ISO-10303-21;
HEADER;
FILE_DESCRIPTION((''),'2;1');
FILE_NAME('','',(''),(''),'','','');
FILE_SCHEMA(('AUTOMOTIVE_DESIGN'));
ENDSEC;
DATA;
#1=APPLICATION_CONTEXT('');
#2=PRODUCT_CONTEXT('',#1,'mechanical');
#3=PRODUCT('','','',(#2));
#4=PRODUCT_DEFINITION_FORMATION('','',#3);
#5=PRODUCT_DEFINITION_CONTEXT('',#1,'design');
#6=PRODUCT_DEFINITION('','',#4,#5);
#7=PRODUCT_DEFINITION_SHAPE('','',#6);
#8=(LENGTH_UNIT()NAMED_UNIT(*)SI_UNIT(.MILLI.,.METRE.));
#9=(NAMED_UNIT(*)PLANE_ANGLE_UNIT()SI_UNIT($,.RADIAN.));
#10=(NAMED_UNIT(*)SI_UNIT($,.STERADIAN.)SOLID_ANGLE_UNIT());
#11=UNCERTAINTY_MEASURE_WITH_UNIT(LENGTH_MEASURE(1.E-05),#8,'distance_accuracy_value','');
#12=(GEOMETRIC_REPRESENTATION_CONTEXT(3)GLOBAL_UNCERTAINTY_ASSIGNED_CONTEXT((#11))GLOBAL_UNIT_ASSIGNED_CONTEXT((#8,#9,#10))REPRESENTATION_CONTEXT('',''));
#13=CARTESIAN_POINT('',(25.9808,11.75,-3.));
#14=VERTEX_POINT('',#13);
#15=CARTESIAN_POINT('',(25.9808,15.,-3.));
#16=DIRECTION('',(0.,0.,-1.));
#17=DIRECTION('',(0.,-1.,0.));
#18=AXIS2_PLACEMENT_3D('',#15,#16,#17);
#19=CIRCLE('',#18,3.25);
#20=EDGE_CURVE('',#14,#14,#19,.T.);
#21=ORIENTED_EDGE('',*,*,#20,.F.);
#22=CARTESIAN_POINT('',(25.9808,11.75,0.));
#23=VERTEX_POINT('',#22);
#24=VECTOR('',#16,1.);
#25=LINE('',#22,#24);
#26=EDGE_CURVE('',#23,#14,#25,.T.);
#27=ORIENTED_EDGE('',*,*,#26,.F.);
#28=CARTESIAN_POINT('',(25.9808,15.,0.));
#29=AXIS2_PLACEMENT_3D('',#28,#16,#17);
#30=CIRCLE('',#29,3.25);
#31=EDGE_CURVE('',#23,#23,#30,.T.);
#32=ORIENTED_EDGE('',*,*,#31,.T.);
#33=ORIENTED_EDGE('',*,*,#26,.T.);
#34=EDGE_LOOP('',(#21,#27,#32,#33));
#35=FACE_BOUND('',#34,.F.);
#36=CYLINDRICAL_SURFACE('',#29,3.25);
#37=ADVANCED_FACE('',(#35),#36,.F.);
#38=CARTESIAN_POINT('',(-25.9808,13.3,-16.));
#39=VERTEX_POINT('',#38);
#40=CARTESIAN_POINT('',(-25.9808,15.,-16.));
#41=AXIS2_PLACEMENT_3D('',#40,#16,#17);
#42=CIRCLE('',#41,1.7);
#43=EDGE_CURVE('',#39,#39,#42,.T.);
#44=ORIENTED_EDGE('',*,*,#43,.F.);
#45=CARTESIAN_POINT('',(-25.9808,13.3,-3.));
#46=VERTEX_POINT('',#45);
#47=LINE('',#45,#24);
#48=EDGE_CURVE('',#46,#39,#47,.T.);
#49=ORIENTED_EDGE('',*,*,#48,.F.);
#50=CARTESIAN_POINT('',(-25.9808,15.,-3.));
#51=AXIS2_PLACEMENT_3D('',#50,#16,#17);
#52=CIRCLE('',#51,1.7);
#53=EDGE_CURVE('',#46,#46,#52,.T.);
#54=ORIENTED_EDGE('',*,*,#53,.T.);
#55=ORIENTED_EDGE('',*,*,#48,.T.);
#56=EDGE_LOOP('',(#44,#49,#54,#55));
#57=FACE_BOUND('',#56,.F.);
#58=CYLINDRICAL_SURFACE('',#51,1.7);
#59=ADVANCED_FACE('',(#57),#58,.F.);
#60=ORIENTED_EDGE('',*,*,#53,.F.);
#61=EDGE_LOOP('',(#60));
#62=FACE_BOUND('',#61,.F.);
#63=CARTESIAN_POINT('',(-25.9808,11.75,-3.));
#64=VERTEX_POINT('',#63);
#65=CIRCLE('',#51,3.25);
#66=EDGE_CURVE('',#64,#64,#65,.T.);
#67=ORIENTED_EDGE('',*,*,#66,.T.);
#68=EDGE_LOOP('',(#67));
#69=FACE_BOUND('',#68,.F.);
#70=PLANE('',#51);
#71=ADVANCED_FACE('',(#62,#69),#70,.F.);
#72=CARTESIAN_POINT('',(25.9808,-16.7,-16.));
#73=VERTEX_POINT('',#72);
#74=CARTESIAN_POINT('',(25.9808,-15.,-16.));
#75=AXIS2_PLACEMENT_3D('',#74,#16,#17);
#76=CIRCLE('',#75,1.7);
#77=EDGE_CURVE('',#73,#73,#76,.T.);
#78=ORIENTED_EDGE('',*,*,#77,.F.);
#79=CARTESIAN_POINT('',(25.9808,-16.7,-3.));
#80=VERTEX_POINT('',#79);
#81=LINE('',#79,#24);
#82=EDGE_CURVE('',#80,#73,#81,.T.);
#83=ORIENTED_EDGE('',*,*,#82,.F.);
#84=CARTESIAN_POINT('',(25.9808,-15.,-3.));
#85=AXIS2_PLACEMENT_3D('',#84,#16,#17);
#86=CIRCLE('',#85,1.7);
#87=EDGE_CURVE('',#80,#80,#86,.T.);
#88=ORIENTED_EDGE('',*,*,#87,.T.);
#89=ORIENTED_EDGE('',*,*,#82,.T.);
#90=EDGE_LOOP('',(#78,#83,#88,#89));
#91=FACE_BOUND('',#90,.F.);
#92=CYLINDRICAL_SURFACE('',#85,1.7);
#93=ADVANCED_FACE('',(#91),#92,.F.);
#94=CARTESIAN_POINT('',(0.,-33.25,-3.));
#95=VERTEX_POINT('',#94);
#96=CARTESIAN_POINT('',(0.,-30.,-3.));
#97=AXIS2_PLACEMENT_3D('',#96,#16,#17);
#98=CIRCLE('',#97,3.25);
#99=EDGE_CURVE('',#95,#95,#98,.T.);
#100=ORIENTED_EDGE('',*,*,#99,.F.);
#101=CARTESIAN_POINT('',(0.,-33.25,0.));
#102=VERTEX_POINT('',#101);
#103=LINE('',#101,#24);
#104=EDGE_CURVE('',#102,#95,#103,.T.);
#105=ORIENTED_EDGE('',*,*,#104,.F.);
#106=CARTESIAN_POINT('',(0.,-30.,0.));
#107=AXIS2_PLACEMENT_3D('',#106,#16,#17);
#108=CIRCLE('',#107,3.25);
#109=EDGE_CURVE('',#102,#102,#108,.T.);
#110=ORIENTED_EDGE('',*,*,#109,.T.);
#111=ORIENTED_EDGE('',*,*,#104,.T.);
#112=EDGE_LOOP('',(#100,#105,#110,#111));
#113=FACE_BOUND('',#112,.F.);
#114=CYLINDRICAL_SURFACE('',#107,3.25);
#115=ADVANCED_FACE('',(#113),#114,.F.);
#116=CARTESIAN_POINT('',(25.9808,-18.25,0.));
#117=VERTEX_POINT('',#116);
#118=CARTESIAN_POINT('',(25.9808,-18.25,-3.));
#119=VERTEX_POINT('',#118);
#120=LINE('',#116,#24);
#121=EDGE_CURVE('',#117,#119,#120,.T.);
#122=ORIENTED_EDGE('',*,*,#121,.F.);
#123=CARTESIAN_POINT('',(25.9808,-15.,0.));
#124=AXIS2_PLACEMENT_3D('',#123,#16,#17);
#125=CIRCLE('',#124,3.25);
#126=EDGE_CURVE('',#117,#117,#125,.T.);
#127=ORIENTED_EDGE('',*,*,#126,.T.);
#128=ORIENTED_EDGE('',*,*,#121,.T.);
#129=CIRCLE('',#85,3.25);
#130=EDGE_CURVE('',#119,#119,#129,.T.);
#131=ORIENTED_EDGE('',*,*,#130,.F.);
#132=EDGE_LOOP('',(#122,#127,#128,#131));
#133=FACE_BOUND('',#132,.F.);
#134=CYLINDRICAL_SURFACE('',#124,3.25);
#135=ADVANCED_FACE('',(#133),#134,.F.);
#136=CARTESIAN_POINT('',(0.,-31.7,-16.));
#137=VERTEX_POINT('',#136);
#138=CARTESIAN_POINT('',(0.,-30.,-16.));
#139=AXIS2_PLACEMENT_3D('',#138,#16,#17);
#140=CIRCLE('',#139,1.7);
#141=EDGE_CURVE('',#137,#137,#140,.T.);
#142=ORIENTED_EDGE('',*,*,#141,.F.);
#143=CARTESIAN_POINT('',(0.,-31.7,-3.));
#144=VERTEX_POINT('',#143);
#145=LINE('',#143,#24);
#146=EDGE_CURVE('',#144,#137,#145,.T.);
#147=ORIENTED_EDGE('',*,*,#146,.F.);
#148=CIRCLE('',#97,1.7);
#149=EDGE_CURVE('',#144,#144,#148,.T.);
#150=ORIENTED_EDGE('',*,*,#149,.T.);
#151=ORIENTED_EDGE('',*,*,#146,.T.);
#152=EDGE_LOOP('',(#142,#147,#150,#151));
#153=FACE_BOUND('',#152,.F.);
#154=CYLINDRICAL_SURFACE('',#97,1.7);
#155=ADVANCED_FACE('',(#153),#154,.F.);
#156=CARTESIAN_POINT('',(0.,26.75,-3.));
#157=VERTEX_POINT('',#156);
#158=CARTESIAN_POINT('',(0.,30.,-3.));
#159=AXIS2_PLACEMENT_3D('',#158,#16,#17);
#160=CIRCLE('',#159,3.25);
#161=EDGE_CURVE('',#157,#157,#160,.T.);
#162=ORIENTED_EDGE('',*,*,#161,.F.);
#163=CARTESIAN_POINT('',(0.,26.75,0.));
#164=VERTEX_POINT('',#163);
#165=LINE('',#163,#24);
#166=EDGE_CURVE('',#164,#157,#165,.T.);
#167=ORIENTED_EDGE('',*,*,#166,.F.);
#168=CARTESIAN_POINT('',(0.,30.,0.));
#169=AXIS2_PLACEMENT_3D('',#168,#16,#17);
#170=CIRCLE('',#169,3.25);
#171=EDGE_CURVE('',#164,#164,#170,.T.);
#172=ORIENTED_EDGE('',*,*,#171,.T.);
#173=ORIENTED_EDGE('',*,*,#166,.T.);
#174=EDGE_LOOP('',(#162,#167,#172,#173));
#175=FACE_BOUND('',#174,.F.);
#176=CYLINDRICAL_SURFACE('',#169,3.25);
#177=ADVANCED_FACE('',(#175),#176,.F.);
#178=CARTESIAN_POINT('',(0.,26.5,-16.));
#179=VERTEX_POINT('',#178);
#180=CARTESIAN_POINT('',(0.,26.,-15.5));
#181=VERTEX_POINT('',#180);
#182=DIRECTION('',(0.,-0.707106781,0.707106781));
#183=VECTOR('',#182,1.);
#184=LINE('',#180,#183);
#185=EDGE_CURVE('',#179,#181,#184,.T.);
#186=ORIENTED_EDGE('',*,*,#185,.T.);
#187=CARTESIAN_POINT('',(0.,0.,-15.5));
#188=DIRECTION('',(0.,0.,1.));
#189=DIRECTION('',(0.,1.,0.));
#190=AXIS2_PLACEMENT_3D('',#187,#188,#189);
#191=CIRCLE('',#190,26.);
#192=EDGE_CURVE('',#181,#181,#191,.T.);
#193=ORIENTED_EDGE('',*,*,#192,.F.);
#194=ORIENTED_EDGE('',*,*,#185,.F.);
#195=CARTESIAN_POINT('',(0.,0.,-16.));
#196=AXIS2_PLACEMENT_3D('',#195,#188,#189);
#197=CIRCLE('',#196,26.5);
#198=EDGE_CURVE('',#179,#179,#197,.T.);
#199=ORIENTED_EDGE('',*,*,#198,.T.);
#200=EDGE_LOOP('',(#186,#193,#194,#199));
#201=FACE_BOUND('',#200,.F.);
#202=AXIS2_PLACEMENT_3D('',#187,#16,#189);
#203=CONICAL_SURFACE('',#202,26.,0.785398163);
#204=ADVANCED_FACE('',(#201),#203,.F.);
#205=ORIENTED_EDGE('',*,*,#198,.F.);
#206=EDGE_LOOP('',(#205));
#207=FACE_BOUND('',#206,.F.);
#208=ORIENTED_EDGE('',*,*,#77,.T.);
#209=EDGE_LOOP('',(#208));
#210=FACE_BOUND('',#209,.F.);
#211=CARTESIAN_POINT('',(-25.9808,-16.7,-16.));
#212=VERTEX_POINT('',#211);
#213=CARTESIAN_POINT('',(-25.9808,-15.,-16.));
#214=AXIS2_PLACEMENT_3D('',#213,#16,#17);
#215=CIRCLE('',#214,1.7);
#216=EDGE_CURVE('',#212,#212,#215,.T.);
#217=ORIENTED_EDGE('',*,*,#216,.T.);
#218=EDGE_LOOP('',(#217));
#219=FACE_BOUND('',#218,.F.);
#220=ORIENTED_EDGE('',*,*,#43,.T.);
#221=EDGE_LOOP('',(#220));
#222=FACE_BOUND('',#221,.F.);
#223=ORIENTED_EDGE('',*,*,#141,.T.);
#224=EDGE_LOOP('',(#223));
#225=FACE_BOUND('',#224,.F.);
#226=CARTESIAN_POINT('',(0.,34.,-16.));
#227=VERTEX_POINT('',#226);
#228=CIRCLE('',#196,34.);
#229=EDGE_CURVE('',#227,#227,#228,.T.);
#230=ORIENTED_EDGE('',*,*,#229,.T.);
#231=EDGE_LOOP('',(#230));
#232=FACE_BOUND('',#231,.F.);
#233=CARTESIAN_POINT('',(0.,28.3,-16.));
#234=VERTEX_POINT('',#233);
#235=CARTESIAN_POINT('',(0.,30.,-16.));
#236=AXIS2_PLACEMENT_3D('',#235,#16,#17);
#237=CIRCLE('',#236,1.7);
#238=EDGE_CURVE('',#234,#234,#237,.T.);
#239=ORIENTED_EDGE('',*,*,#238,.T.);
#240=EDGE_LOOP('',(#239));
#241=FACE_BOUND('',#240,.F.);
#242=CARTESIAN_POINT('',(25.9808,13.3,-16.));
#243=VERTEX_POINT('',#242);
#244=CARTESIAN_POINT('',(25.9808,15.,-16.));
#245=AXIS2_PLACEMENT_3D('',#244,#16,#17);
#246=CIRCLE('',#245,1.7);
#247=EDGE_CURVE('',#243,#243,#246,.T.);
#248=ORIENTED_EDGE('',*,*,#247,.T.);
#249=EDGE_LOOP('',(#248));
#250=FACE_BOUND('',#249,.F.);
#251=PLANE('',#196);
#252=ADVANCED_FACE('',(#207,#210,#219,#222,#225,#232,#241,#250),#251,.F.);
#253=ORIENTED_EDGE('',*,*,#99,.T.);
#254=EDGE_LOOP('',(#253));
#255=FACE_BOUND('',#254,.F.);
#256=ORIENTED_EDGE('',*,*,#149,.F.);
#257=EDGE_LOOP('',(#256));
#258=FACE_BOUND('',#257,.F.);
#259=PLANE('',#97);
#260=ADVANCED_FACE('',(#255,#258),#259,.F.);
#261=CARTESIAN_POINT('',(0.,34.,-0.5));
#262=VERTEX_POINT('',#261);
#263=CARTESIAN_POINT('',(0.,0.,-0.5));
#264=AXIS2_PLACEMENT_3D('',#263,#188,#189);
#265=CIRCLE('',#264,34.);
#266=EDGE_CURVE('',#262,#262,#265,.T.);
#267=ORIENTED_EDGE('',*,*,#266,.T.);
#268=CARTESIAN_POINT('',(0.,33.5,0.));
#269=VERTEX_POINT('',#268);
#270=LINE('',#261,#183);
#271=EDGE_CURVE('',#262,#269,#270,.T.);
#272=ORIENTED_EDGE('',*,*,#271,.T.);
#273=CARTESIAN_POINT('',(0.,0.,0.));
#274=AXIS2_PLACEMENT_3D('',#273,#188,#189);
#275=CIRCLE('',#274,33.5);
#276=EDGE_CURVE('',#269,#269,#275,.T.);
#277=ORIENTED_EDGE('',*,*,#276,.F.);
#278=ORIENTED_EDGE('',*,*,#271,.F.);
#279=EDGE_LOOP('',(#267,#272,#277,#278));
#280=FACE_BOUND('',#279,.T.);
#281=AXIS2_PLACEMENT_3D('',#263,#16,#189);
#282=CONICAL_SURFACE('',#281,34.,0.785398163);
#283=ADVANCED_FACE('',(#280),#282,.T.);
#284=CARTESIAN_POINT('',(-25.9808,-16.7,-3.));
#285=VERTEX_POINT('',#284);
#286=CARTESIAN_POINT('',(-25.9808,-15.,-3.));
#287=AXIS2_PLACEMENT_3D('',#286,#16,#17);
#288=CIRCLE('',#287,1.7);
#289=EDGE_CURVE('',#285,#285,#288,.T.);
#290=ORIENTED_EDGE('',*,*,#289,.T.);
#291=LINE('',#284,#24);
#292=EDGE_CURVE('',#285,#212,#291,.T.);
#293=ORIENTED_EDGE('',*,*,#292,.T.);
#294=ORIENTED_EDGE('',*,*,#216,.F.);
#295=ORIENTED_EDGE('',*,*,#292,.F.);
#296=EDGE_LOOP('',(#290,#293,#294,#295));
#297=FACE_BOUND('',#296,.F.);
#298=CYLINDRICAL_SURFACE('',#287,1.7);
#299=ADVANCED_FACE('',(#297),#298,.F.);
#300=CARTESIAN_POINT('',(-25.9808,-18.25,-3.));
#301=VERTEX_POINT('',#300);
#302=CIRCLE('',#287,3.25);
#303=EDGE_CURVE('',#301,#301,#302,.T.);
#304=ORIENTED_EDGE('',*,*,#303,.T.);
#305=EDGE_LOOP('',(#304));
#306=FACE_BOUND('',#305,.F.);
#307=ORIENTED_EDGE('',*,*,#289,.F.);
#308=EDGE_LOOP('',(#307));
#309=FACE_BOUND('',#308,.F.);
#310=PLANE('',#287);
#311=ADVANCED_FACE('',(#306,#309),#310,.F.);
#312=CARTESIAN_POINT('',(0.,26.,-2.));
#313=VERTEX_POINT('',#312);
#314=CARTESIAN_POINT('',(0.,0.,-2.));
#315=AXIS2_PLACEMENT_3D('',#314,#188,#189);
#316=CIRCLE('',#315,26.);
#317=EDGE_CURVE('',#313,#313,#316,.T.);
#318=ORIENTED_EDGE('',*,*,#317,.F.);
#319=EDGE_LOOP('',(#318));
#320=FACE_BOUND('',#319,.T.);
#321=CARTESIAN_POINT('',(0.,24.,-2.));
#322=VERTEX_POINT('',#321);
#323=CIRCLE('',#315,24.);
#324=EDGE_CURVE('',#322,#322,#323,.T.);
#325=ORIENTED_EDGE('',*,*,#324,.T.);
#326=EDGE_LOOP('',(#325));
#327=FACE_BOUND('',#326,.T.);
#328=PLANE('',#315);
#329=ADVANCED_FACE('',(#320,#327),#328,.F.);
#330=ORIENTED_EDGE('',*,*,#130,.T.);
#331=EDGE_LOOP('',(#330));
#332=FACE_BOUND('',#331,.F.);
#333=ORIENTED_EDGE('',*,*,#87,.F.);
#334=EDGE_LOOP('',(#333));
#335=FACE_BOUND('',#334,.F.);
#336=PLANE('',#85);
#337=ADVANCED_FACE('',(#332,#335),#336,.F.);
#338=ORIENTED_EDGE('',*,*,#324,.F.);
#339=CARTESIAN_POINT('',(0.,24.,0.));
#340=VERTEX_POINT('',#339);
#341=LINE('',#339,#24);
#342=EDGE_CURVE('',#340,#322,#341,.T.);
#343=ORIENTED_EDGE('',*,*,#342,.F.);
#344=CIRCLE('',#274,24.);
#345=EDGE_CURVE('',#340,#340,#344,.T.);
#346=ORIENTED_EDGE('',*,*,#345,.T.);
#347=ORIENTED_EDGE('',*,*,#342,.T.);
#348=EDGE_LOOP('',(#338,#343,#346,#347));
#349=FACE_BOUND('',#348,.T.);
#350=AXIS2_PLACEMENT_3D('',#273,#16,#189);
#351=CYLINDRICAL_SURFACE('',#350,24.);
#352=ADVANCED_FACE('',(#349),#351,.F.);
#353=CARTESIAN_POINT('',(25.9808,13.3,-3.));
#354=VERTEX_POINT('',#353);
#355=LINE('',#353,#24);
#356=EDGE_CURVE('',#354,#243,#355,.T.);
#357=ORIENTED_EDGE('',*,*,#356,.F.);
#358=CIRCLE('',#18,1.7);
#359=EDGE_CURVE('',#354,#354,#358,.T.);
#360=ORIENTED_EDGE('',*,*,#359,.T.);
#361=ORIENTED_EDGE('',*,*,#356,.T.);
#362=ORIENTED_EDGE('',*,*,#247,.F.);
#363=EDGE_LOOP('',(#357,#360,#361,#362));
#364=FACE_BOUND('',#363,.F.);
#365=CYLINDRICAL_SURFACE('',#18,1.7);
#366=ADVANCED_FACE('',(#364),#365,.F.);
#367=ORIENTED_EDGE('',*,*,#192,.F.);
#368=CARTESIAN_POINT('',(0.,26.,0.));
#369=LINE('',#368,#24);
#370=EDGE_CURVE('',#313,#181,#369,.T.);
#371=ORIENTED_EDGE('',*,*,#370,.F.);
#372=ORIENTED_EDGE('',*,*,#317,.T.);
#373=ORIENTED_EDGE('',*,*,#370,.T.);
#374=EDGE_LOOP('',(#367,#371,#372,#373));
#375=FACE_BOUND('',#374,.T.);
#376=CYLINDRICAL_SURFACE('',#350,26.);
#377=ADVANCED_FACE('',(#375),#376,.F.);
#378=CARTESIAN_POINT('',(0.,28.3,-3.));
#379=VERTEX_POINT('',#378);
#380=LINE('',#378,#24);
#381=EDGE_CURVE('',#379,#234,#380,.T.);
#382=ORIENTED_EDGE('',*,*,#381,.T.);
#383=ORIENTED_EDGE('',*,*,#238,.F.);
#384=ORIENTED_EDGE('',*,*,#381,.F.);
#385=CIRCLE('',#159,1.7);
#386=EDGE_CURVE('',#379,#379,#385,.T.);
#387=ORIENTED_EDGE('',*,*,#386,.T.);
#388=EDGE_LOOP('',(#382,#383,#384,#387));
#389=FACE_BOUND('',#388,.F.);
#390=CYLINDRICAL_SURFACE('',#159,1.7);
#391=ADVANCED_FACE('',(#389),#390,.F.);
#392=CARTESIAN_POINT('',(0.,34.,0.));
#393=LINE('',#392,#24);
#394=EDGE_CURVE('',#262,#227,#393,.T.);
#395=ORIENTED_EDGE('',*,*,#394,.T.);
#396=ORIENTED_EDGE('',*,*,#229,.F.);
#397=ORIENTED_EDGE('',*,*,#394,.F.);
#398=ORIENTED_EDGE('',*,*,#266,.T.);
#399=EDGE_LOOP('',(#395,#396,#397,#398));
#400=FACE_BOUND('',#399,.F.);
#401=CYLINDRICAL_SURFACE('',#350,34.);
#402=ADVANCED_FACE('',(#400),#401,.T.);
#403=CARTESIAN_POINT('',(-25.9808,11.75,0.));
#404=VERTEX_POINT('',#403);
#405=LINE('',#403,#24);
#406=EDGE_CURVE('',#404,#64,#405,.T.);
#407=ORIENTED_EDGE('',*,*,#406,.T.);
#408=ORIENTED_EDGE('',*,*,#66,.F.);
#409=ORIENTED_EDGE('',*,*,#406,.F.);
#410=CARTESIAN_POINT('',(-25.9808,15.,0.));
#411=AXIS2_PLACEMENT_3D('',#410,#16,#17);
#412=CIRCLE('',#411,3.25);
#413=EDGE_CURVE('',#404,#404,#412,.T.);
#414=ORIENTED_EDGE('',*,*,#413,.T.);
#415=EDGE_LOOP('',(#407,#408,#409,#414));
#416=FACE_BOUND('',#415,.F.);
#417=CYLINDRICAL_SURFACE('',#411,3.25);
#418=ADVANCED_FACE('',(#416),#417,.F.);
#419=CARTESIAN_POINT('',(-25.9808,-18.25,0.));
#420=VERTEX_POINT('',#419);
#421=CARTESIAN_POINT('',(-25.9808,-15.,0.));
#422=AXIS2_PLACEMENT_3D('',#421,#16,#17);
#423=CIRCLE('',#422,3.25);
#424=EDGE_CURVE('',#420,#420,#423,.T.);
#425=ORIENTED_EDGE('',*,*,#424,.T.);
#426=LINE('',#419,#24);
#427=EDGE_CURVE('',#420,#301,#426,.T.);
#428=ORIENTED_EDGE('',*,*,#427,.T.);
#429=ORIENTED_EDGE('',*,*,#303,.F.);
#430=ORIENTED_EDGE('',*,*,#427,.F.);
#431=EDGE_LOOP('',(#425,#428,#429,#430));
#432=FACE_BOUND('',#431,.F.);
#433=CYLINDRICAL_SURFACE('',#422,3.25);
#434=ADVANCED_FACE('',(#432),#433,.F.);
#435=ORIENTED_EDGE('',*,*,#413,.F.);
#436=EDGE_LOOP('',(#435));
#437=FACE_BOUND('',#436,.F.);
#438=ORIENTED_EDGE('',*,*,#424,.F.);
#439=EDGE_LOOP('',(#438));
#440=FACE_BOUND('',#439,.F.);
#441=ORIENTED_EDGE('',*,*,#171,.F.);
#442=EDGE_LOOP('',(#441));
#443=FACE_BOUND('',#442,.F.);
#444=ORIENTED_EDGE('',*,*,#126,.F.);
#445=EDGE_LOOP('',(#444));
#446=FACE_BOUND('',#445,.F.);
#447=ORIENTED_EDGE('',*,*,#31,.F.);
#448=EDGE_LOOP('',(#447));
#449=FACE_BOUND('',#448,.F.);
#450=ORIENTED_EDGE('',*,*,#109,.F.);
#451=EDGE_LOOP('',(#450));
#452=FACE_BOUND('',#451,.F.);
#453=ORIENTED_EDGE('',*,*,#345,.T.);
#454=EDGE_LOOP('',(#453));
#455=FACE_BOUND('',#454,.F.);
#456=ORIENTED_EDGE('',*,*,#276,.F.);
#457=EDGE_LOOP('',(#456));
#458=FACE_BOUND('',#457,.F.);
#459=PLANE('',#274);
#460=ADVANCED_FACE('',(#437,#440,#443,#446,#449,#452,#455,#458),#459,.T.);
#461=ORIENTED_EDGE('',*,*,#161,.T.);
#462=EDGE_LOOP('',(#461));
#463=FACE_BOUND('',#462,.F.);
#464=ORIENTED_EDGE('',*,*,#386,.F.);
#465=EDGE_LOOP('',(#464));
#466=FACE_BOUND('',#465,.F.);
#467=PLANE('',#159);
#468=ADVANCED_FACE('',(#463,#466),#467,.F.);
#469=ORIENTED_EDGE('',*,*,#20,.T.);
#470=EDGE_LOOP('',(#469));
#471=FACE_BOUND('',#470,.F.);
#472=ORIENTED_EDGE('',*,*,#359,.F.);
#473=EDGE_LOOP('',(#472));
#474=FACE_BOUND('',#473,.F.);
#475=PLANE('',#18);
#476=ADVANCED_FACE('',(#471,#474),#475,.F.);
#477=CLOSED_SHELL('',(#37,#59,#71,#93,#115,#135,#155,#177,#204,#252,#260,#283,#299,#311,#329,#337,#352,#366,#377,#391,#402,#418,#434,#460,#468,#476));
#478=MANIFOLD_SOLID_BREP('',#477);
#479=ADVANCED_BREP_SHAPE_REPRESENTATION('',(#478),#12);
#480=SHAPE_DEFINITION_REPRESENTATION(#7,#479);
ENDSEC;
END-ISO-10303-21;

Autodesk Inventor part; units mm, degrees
ref_plane "YZ Plane" through (0, 0, 0) normal (1, 0, 0) x (0, 1, 0)
ref_plane "XZ Plane" through (0, 0, 0) normal (0, 1, 0) x (-1, 0, 0)
ref_plane "XY Plane" through (0, 0, 0) normal (0, 0, 1) x (1, 0, 0)
sketch "スケッチ2" plane through (0, 0, 0) normal (1, 0, 0) x (0, 1, 0)
  line L0 (0, 0) -> (26, 0)
  line L1 (26, 0) -> (26, -16)
  line L2 (26, -16) -> (0, -16)
  line L3 (0, -16) -> (0, 0)
  line L4 (0, 0) -> (34, 0)
  line L5 (34, 0) -> (34, -16)
  line L6 (34, -16) -> (0, -16)
  line L7 (0, -16) -> (0, 0)
  line L8 (34, 0) -> (21, 0)
  line L9 (26, 0) -> (24, 0)
  line L10 (24, 0) -> (24, -2)
  line L11 (24, -2) -> (26, -2)
  line L12 (26, -2) -> (26, 0)
  point P0 (26, 0)
  point P1 (26, -16)
  point P2 (26, -2)
  point P3 (24, 0)
  dimension "d1" = 26
  dimension "d8" = 2
  dimension "d10" = 14
  dimension "d27" = 8
  dimension "d31" = 2
revolve "回転1" add sketch "スケッチ2" angle 360 about axis through (0, 0, -16) along (0, 0, 1) contours L0 L1 L11 L10 | L1 L4 L5 L6
sketch "スケッチ4" plane through (0, 0, 0) normal (0, 0, 1) x (1, 0, 0)
  point P0 (0, 0)
  point P1 (0, 30)
  point P2 (-25.9808, 15)
  point P3 (-25.9808, -15)
  point P4 (0, -30)
  point P5 (25.9808, -15)
  point P6 (25.9808, 15)
  dimension "d11" = 30
  dimension "d14" = 360
hole "穴1" at (0, 30, 0) at (-25.9808, 15, 0) at (-25.9808, -15, 0) at (0, -30, 0) at (25.9808, -15, 0) at (25.9808, 15, 0) direction (0, 0, -1) diameter 3.4 end through all counterbore diameter 6.5 counterbore depth 3 clearance for "Socket Head Cap Screw" size "M3" standard "Ansi Metric M Profile"
chamfer "面取り1" distance 0.5 angle 45 1 edges at (0, -26, -16)
chamfer "面取り2" distance 0.5 angle 45 1 edges at (0, -34, 0)
properties part number "bearing_cover_j5" material "ABS プラスチック"
